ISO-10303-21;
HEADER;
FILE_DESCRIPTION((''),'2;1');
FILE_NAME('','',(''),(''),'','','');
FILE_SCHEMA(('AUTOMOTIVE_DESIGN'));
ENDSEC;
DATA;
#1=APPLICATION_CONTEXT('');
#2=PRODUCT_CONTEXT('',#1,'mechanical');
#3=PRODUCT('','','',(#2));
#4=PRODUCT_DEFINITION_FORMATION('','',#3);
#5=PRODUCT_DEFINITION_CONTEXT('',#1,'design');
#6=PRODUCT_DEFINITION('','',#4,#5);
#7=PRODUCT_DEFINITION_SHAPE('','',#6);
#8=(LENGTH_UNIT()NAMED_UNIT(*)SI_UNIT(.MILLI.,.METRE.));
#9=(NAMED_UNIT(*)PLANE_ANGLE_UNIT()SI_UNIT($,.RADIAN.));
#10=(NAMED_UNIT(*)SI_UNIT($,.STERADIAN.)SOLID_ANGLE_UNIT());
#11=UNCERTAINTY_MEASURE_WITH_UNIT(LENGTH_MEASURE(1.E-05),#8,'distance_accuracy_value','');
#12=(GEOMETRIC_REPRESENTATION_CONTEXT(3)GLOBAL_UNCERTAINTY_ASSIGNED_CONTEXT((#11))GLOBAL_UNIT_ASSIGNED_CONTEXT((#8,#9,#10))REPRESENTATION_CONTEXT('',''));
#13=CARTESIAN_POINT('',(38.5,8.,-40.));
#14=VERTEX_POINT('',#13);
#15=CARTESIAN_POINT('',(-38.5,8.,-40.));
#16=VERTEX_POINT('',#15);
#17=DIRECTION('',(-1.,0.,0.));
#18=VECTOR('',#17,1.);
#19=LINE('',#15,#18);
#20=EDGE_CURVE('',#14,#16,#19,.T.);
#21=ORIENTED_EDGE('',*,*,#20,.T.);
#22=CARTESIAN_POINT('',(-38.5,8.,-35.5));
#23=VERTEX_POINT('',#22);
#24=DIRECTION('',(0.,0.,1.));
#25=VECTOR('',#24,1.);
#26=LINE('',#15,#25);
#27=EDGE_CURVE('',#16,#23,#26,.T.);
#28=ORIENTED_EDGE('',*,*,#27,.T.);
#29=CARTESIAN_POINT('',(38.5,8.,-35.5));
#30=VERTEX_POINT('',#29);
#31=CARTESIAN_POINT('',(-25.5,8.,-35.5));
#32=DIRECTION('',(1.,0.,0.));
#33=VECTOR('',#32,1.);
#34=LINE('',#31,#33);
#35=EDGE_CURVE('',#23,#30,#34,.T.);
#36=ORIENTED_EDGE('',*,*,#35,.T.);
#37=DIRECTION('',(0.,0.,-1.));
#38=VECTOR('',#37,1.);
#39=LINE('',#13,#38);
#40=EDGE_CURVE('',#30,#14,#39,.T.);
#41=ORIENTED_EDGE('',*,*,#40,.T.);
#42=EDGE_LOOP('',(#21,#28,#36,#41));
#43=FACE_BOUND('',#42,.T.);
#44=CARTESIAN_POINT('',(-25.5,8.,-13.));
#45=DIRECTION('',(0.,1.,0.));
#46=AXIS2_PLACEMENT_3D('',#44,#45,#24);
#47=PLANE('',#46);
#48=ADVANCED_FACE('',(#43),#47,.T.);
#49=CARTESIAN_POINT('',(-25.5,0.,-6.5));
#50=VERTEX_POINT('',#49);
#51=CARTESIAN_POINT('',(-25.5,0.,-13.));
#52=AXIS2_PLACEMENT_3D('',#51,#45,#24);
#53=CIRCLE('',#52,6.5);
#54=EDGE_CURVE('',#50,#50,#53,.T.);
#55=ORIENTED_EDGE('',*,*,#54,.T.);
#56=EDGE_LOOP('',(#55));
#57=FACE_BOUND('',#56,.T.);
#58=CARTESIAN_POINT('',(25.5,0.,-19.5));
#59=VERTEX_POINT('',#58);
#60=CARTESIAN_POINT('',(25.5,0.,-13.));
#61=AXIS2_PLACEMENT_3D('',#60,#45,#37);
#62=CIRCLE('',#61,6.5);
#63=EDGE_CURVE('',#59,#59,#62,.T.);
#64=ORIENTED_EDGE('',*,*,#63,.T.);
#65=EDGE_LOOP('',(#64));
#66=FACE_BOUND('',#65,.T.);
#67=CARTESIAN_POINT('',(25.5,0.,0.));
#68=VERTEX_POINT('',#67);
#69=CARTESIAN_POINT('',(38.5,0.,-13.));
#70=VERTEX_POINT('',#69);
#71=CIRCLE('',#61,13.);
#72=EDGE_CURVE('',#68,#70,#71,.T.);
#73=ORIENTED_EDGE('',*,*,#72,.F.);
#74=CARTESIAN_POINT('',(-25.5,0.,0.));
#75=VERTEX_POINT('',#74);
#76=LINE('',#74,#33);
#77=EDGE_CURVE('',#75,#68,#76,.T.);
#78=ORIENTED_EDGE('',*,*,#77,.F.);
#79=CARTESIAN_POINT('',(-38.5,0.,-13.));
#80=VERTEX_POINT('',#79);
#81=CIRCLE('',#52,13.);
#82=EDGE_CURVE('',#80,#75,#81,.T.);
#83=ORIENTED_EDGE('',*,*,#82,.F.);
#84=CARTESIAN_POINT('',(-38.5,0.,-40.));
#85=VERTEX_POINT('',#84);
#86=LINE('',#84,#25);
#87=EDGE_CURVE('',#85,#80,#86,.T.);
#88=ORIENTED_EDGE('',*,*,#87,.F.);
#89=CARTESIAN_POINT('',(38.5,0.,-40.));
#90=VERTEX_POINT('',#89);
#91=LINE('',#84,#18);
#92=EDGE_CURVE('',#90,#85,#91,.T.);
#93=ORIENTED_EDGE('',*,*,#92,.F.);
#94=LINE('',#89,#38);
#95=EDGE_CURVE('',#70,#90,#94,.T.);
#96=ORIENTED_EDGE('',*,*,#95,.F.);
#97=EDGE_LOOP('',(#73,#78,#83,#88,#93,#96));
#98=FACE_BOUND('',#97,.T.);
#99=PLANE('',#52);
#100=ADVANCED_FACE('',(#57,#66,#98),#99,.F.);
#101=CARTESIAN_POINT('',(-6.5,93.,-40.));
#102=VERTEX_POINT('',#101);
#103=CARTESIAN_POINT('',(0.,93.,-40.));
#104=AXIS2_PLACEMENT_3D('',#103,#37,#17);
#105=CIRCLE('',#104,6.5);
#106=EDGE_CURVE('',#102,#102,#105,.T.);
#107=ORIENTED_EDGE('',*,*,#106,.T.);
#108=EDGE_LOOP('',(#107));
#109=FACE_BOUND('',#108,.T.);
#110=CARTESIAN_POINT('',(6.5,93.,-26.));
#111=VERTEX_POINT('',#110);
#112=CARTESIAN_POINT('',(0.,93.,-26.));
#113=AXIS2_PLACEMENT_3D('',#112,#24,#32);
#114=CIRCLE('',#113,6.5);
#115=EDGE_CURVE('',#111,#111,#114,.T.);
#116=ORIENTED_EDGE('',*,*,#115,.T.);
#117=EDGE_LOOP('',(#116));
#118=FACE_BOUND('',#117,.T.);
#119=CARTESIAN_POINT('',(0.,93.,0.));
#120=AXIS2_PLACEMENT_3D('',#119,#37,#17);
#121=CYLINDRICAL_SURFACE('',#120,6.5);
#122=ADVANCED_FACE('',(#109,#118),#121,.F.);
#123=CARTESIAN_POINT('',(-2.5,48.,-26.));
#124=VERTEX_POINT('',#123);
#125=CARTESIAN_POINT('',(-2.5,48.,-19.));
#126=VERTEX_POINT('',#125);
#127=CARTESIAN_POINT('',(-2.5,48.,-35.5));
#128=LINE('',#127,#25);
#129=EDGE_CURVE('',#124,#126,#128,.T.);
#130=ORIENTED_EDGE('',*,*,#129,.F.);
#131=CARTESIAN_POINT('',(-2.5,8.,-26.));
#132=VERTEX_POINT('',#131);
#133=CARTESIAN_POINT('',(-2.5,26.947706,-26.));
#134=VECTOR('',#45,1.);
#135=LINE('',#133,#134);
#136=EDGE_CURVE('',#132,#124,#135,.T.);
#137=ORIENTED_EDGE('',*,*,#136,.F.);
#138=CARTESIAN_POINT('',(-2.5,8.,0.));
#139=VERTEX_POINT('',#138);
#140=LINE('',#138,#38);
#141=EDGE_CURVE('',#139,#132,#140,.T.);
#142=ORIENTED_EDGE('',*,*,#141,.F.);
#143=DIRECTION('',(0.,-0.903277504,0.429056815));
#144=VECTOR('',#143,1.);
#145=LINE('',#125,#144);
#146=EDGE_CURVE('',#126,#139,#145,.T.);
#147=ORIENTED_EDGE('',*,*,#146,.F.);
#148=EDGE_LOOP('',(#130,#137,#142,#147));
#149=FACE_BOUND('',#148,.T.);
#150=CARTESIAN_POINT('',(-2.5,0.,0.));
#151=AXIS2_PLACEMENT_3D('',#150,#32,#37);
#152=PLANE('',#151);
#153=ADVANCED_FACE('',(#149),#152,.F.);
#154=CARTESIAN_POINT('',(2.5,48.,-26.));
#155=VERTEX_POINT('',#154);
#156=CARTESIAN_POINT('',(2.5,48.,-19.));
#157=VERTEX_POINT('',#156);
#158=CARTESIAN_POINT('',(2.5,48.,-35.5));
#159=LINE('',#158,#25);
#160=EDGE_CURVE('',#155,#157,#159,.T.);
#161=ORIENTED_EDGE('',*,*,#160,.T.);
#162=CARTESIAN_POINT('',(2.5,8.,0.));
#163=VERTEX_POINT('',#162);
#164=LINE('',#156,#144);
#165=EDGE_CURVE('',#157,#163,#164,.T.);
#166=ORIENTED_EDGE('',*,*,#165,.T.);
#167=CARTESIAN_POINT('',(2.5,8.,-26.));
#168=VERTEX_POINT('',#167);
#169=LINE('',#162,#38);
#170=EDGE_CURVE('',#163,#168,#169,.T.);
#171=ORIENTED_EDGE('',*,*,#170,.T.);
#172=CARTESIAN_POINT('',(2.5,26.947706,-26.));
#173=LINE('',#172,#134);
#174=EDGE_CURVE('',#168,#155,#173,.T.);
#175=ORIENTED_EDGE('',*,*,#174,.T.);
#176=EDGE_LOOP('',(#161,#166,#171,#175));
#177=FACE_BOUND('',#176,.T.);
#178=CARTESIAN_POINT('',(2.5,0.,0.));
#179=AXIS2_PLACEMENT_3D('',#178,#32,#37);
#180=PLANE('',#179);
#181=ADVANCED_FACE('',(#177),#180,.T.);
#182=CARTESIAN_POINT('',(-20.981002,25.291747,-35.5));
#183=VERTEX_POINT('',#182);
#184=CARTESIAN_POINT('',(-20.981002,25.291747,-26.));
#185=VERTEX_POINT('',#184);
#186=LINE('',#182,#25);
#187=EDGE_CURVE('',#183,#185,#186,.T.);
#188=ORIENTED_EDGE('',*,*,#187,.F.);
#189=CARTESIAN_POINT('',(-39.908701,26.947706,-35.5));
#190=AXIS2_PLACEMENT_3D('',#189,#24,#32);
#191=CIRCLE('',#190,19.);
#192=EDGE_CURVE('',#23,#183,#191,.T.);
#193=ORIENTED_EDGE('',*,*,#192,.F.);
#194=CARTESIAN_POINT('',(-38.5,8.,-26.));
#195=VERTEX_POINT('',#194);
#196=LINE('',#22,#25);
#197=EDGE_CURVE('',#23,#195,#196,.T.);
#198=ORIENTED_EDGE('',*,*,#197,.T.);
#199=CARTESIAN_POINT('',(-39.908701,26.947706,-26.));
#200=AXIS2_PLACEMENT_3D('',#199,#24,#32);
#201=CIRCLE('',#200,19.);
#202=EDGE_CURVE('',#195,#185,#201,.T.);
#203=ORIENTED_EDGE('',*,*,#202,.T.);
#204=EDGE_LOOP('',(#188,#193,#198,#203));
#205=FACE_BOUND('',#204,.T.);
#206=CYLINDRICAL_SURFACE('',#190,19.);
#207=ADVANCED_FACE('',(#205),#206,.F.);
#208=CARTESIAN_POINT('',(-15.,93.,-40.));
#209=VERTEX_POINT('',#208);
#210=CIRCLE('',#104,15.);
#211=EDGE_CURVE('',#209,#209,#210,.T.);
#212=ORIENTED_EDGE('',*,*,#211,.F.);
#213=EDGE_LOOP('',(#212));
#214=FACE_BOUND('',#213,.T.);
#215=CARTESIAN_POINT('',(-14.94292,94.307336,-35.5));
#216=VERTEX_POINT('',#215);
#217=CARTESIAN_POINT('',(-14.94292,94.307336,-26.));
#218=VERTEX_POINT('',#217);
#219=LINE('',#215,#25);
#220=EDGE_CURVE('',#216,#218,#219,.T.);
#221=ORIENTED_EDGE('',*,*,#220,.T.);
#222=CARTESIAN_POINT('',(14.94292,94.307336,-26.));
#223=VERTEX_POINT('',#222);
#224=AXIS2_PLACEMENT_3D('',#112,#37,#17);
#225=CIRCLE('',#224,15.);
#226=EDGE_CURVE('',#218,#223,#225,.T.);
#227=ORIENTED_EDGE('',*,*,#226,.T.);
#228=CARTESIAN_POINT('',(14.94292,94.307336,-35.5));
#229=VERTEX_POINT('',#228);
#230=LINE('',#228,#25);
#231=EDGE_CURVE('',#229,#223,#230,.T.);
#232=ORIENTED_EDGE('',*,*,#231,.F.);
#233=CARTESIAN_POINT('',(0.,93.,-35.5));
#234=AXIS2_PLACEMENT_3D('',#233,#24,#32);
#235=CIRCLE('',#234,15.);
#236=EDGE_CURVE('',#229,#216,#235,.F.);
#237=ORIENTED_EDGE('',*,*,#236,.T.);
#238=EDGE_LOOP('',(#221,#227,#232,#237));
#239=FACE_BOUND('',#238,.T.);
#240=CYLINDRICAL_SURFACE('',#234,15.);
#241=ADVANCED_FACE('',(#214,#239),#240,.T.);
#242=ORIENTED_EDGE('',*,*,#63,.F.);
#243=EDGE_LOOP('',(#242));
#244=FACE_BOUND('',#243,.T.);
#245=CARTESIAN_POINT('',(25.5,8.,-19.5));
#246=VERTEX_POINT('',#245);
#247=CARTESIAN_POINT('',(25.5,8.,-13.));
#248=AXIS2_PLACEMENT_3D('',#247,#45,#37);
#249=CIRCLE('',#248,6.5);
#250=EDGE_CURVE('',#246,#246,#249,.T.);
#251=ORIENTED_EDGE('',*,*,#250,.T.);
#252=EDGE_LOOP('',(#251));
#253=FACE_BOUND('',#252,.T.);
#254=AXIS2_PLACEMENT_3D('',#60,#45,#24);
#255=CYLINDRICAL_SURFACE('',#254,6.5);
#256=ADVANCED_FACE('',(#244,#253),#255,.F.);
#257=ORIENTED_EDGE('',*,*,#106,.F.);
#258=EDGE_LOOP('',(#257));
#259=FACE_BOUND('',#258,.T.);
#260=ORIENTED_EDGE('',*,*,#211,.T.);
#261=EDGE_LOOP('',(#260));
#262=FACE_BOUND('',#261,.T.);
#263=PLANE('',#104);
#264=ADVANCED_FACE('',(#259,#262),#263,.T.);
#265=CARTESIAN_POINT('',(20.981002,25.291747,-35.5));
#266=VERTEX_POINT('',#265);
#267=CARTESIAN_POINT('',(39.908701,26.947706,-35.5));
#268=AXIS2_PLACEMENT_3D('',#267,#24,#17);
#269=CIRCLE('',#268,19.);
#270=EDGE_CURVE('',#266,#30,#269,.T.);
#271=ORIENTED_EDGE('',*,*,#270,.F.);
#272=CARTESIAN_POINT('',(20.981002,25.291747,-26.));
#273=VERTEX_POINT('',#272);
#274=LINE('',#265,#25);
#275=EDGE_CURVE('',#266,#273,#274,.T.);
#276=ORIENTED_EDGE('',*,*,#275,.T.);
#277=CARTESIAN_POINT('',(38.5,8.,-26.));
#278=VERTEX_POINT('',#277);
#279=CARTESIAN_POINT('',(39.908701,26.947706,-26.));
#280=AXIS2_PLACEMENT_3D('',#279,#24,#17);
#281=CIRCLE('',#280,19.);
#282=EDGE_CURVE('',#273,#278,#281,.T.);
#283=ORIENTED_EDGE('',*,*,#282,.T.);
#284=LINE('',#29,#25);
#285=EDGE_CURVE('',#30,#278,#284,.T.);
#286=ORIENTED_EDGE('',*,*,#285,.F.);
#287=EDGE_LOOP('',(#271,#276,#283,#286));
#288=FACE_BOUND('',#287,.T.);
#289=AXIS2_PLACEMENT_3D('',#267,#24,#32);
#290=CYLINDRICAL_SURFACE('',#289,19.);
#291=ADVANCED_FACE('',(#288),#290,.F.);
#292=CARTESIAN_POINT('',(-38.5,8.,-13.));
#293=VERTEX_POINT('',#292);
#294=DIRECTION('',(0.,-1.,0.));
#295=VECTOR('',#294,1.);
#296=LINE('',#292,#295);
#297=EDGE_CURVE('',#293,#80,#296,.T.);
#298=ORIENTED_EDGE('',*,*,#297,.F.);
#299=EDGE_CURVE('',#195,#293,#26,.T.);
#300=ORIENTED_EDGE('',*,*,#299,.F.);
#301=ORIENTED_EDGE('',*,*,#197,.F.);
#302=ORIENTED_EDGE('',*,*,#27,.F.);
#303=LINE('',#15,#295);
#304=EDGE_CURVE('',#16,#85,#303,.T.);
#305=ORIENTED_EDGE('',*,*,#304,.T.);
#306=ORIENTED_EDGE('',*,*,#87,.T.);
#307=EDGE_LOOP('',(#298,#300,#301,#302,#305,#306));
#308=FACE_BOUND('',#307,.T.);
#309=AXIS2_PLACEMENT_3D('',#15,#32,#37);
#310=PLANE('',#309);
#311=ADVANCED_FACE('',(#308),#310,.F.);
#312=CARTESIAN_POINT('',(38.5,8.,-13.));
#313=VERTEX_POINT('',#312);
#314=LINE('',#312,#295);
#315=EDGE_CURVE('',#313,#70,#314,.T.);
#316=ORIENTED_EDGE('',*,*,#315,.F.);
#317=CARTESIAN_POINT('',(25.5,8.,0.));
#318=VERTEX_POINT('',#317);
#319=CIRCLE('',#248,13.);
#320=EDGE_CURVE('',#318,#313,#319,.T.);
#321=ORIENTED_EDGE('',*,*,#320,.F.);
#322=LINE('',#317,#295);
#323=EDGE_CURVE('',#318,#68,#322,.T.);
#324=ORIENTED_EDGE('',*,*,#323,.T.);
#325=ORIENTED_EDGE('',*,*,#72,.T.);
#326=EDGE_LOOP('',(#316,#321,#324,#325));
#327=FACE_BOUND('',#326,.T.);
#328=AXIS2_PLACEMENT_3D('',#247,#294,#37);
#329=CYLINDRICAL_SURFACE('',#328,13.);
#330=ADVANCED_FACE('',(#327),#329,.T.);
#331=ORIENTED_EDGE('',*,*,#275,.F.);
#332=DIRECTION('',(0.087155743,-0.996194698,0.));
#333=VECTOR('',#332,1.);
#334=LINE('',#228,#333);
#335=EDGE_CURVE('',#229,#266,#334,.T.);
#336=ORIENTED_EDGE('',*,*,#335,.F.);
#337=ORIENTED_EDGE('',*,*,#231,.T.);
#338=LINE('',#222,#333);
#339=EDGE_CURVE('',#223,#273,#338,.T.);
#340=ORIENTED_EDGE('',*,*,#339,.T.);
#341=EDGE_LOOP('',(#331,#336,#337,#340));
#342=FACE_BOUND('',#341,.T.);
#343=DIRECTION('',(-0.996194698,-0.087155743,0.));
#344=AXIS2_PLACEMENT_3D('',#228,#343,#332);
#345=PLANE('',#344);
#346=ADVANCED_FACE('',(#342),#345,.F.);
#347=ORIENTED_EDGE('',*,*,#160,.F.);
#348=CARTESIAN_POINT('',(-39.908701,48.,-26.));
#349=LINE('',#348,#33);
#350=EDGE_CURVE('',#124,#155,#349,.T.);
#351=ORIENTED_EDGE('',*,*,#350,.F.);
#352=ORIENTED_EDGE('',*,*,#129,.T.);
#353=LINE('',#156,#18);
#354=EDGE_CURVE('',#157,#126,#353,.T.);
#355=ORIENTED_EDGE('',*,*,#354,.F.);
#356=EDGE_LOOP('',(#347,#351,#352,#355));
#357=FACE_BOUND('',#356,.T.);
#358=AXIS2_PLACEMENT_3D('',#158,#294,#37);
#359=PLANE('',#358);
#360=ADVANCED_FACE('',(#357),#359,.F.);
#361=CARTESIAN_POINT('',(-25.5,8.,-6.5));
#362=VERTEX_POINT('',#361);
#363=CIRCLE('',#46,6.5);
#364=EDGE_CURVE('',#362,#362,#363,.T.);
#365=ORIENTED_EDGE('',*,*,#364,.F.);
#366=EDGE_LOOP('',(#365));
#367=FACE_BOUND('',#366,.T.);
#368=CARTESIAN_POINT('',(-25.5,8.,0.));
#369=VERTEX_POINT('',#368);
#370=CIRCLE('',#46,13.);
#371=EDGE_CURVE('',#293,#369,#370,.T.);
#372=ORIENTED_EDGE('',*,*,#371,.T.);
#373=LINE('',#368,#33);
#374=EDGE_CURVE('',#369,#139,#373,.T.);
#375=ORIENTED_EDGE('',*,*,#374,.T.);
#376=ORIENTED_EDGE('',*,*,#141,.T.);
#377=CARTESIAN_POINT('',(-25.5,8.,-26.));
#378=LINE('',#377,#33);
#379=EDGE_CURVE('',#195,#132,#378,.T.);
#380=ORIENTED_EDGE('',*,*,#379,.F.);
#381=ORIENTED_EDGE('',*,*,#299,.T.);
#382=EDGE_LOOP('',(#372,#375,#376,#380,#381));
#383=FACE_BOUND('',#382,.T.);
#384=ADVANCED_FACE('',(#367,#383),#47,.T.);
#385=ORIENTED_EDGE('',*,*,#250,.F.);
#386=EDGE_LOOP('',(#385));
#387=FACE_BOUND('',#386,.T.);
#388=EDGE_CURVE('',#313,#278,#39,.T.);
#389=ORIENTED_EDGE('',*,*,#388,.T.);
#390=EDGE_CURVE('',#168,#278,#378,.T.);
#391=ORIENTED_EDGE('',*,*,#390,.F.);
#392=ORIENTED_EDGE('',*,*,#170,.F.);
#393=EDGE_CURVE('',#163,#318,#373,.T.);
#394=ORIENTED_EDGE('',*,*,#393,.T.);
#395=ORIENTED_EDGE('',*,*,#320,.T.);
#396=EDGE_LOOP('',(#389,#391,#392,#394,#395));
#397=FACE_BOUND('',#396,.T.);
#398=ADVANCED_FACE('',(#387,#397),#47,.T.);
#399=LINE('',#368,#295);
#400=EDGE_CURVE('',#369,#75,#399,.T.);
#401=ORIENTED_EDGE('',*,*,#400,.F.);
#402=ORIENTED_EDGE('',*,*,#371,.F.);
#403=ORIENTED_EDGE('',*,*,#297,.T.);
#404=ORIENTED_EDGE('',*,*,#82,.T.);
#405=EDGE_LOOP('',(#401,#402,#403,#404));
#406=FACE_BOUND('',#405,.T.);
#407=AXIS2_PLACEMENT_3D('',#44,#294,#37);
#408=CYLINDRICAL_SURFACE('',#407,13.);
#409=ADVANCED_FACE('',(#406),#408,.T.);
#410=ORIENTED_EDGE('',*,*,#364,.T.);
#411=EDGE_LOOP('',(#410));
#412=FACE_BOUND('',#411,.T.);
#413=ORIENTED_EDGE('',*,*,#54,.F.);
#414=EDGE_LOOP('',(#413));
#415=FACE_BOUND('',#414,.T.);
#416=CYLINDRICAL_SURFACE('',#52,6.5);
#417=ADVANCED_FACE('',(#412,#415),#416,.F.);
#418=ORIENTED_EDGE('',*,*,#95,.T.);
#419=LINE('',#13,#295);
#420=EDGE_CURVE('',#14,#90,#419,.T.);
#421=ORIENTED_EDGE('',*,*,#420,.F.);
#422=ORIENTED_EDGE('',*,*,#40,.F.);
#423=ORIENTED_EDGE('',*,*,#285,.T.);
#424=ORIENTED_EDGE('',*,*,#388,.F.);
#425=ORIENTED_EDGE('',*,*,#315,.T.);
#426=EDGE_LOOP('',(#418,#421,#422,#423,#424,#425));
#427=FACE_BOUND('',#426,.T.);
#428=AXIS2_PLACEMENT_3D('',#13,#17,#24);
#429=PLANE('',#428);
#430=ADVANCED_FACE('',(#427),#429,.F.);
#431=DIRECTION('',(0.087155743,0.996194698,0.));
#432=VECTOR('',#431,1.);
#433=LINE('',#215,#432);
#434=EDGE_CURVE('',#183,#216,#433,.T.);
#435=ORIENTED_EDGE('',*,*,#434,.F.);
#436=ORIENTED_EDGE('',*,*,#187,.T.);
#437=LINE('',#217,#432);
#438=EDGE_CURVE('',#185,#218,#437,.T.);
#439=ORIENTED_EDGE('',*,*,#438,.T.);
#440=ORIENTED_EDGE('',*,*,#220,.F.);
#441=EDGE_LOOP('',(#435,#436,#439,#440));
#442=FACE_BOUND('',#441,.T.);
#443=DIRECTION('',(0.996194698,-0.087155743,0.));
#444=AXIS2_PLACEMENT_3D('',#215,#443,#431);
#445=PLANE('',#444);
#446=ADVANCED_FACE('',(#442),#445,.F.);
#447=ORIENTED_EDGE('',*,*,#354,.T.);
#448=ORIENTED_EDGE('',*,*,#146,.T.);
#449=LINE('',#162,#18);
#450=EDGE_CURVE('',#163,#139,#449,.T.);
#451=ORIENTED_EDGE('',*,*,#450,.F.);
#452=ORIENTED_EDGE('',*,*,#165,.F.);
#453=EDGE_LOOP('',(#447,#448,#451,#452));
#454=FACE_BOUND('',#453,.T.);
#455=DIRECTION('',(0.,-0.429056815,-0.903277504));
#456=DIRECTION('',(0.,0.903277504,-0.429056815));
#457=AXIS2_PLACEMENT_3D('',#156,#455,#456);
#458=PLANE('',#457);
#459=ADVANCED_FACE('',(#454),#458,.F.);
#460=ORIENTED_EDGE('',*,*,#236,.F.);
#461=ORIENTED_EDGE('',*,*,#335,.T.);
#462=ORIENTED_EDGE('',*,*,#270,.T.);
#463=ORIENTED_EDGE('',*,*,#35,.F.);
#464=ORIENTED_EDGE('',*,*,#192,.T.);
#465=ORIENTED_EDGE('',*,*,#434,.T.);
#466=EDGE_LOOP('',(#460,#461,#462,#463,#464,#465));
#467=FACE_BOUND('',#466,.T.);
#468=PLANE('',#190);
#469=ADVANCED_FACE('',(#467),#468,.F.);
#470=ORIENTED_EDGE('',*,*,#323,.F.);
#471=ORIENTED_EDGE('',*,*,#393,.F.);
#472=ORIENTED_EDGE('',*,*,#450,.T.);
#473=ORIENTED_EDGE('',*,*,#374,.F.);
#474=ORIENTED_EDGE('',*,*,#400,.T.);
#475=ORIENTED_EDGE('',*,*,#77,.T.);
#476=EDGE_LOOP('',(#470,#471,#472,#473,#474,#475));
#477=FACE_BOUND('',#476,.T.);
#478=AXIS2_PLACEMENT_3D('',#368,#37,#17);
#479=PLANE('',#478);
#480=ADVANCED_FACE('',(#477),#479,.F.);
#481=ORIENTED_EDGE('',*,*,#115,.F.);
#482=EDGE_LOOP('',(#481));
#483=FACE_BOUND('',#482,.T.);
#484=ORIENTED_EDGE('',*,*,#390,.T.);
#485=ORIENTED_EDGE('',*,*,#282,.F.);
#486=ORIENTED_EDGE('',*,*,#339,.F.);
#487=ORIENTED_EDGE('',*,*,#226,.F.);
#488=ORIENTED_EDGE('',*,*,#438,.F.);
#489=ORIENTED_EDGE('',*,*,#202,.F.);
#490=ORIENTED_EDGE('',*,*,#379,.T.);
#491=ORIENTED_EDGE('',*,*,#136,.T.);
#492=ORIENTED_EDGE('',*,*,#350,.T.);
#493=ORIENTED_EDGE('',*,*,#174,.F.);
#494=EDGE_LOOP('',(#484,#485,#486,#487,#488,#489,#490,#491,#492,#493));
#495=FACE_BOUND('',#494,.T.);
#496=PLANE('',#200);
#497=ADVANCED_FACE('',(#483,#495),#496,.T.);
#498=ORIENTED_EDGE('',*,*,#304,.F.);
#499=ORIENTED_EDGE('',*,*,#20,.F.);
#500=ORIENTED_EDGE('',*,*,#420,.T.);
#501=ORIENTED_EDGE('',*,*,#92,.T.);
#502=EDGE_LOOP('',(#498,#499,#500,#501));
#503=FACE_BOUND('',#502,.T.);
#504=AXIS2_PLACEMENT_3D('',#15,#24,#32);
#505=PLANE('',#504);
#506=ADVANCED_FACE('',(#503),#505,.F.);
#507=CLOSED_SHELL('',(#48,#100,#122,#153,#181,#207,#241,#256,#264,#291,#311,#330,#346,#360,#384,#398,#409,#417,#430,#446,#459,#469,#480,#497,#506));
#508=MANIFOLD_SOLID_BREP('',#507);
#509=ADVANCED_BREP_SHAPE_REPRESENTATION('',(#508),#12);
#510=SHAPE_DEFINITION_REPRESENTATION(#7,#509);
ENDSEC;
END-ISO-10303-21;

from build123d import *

# Parameters (mm, degrees)
EXTRUDE_1_DEPTH     = 8
SKETCH_2_R          = 6.5
CUT_EXTRUDE_1_DEPTH = 8
EXTRUDE_2_DEPTH     = 9.5
SKETCH_4_R          = 15
EXTRUDE_3_DEPTH     = 4.5
SKETCH_5_R          = 6.5
CUT_EXTRUDE_2_DEPTH = 41
EXTRUDE_4_DEPTH     = 2.5


with BuildPart() as part:
    # 스케치1 → 보스-돌출1 (new body)
    with BuildSketch(Plane(origin=(0, 0, 0), x_dir=(1, 0, 0), z_dir=(0, 1, 0))):
        with BuildLine():
            Line((-38.5, 40), (38.5, 40))
            Line((38.5, 40), (38.5, 13))
            ThreePointArc((38.5, 13), (34.692388155, 3.807611845), (25.5, 0))
            Line((25.5, 0), (-25.5, 0))
            ThreePointArc((-25.5, 0), (-34.692388155, 3.807611845), (-38.5, 13))
            Line((-38.5, 13), (-38.5, 40))
        make_face()
    extrude(amount=EXTRUDE_1_DEPTH)

    # 스케치2 → 컷-돌출1 (cut)
    with BuildSketch(Plane(origin=(0, 8, 0), x_dir=(1, 0, 0), z_dir=(0, 1, 0))):
        with Locations((-25.5, 13)):
            Circle(SKETCH_2_R)
        with Locations((25.5, 13)):
            Circle(SKETCH_2_R)
    extrude(amount=-CUT_EXTRUDE_1_DEPTH, mode=Mode.SUBTRACT)

    # 스케치3 → 보스-돌출2 (add)
    with BuildSketch(Plane(origin=(0, 0, -26), x_dir=(-1, 0, 0), z_dir=(0, 0, -1))):
        with BuildLine():
            Line((-38.5, 0), (-38.5, 8))
            ThreePointArc((-38.5, 8), (-26.561663341, 13.425258865), (-20.981002143, 25.291746827))
            Line((-20.981002143, 25.291746827), (-14.942920471, 94.307336141))
            ThreePointArc((-14.942920471, 94.307336141), (0, 108), (14.942920471, 94.307336141))
            Line((14.942920471, 94.307336141), (20.981002143, 25.291746827))
            ThreePointArc((20.981002143, 25.291746827), (26.561663341, 13.425258865), (38.5, 8))
            Line((38.5, 8), (38.5, 0))
            Line((38.5, 0), (-38.5, 0))
        make_face()
    extrude(amount=EXTRUDE_2_DEPTH)

    # 스케치4 → 보스-돌출3 (add)
    with BuildSketch(Plane(origin=(0, 0, -35.5), x_dir=(-1, 0, 0), z_dir=(0, 0, -1))):
        with Locations((0, 93)):
            Circle(SKETCH_4_R)
    extrude(amount=EXTRUDE_3_DEPTH)

    # 스케치5 → 컷-돌출2 (cut, through all)
    with BuildSketch(Plane(origin=(0, 0, -40), x_dir=(-1, 0, 0), z_dir=(0, 0, -1))):
        with Locations((0, 93)):
            Circle(SKETCH_5_R)
    extrude(amount=-CUT_EXTRUDE_2_DEPTH, mode=Mode.SUBTRACT)

    # 스케치7 → 보스-돌출4 (add, symmetric)
    with BuildSketch(Plane(origin=(0, 0, 0), x_dir=(0, 0, -1), z_dir=(1, 0, 0))):
        Polygon((0, 8), (35.5, 8), (35.5, 48), (19, 48), align=None)
    extrude(amount=EXTRUDE_4_DEPTH, both=True)


solid = part.part
